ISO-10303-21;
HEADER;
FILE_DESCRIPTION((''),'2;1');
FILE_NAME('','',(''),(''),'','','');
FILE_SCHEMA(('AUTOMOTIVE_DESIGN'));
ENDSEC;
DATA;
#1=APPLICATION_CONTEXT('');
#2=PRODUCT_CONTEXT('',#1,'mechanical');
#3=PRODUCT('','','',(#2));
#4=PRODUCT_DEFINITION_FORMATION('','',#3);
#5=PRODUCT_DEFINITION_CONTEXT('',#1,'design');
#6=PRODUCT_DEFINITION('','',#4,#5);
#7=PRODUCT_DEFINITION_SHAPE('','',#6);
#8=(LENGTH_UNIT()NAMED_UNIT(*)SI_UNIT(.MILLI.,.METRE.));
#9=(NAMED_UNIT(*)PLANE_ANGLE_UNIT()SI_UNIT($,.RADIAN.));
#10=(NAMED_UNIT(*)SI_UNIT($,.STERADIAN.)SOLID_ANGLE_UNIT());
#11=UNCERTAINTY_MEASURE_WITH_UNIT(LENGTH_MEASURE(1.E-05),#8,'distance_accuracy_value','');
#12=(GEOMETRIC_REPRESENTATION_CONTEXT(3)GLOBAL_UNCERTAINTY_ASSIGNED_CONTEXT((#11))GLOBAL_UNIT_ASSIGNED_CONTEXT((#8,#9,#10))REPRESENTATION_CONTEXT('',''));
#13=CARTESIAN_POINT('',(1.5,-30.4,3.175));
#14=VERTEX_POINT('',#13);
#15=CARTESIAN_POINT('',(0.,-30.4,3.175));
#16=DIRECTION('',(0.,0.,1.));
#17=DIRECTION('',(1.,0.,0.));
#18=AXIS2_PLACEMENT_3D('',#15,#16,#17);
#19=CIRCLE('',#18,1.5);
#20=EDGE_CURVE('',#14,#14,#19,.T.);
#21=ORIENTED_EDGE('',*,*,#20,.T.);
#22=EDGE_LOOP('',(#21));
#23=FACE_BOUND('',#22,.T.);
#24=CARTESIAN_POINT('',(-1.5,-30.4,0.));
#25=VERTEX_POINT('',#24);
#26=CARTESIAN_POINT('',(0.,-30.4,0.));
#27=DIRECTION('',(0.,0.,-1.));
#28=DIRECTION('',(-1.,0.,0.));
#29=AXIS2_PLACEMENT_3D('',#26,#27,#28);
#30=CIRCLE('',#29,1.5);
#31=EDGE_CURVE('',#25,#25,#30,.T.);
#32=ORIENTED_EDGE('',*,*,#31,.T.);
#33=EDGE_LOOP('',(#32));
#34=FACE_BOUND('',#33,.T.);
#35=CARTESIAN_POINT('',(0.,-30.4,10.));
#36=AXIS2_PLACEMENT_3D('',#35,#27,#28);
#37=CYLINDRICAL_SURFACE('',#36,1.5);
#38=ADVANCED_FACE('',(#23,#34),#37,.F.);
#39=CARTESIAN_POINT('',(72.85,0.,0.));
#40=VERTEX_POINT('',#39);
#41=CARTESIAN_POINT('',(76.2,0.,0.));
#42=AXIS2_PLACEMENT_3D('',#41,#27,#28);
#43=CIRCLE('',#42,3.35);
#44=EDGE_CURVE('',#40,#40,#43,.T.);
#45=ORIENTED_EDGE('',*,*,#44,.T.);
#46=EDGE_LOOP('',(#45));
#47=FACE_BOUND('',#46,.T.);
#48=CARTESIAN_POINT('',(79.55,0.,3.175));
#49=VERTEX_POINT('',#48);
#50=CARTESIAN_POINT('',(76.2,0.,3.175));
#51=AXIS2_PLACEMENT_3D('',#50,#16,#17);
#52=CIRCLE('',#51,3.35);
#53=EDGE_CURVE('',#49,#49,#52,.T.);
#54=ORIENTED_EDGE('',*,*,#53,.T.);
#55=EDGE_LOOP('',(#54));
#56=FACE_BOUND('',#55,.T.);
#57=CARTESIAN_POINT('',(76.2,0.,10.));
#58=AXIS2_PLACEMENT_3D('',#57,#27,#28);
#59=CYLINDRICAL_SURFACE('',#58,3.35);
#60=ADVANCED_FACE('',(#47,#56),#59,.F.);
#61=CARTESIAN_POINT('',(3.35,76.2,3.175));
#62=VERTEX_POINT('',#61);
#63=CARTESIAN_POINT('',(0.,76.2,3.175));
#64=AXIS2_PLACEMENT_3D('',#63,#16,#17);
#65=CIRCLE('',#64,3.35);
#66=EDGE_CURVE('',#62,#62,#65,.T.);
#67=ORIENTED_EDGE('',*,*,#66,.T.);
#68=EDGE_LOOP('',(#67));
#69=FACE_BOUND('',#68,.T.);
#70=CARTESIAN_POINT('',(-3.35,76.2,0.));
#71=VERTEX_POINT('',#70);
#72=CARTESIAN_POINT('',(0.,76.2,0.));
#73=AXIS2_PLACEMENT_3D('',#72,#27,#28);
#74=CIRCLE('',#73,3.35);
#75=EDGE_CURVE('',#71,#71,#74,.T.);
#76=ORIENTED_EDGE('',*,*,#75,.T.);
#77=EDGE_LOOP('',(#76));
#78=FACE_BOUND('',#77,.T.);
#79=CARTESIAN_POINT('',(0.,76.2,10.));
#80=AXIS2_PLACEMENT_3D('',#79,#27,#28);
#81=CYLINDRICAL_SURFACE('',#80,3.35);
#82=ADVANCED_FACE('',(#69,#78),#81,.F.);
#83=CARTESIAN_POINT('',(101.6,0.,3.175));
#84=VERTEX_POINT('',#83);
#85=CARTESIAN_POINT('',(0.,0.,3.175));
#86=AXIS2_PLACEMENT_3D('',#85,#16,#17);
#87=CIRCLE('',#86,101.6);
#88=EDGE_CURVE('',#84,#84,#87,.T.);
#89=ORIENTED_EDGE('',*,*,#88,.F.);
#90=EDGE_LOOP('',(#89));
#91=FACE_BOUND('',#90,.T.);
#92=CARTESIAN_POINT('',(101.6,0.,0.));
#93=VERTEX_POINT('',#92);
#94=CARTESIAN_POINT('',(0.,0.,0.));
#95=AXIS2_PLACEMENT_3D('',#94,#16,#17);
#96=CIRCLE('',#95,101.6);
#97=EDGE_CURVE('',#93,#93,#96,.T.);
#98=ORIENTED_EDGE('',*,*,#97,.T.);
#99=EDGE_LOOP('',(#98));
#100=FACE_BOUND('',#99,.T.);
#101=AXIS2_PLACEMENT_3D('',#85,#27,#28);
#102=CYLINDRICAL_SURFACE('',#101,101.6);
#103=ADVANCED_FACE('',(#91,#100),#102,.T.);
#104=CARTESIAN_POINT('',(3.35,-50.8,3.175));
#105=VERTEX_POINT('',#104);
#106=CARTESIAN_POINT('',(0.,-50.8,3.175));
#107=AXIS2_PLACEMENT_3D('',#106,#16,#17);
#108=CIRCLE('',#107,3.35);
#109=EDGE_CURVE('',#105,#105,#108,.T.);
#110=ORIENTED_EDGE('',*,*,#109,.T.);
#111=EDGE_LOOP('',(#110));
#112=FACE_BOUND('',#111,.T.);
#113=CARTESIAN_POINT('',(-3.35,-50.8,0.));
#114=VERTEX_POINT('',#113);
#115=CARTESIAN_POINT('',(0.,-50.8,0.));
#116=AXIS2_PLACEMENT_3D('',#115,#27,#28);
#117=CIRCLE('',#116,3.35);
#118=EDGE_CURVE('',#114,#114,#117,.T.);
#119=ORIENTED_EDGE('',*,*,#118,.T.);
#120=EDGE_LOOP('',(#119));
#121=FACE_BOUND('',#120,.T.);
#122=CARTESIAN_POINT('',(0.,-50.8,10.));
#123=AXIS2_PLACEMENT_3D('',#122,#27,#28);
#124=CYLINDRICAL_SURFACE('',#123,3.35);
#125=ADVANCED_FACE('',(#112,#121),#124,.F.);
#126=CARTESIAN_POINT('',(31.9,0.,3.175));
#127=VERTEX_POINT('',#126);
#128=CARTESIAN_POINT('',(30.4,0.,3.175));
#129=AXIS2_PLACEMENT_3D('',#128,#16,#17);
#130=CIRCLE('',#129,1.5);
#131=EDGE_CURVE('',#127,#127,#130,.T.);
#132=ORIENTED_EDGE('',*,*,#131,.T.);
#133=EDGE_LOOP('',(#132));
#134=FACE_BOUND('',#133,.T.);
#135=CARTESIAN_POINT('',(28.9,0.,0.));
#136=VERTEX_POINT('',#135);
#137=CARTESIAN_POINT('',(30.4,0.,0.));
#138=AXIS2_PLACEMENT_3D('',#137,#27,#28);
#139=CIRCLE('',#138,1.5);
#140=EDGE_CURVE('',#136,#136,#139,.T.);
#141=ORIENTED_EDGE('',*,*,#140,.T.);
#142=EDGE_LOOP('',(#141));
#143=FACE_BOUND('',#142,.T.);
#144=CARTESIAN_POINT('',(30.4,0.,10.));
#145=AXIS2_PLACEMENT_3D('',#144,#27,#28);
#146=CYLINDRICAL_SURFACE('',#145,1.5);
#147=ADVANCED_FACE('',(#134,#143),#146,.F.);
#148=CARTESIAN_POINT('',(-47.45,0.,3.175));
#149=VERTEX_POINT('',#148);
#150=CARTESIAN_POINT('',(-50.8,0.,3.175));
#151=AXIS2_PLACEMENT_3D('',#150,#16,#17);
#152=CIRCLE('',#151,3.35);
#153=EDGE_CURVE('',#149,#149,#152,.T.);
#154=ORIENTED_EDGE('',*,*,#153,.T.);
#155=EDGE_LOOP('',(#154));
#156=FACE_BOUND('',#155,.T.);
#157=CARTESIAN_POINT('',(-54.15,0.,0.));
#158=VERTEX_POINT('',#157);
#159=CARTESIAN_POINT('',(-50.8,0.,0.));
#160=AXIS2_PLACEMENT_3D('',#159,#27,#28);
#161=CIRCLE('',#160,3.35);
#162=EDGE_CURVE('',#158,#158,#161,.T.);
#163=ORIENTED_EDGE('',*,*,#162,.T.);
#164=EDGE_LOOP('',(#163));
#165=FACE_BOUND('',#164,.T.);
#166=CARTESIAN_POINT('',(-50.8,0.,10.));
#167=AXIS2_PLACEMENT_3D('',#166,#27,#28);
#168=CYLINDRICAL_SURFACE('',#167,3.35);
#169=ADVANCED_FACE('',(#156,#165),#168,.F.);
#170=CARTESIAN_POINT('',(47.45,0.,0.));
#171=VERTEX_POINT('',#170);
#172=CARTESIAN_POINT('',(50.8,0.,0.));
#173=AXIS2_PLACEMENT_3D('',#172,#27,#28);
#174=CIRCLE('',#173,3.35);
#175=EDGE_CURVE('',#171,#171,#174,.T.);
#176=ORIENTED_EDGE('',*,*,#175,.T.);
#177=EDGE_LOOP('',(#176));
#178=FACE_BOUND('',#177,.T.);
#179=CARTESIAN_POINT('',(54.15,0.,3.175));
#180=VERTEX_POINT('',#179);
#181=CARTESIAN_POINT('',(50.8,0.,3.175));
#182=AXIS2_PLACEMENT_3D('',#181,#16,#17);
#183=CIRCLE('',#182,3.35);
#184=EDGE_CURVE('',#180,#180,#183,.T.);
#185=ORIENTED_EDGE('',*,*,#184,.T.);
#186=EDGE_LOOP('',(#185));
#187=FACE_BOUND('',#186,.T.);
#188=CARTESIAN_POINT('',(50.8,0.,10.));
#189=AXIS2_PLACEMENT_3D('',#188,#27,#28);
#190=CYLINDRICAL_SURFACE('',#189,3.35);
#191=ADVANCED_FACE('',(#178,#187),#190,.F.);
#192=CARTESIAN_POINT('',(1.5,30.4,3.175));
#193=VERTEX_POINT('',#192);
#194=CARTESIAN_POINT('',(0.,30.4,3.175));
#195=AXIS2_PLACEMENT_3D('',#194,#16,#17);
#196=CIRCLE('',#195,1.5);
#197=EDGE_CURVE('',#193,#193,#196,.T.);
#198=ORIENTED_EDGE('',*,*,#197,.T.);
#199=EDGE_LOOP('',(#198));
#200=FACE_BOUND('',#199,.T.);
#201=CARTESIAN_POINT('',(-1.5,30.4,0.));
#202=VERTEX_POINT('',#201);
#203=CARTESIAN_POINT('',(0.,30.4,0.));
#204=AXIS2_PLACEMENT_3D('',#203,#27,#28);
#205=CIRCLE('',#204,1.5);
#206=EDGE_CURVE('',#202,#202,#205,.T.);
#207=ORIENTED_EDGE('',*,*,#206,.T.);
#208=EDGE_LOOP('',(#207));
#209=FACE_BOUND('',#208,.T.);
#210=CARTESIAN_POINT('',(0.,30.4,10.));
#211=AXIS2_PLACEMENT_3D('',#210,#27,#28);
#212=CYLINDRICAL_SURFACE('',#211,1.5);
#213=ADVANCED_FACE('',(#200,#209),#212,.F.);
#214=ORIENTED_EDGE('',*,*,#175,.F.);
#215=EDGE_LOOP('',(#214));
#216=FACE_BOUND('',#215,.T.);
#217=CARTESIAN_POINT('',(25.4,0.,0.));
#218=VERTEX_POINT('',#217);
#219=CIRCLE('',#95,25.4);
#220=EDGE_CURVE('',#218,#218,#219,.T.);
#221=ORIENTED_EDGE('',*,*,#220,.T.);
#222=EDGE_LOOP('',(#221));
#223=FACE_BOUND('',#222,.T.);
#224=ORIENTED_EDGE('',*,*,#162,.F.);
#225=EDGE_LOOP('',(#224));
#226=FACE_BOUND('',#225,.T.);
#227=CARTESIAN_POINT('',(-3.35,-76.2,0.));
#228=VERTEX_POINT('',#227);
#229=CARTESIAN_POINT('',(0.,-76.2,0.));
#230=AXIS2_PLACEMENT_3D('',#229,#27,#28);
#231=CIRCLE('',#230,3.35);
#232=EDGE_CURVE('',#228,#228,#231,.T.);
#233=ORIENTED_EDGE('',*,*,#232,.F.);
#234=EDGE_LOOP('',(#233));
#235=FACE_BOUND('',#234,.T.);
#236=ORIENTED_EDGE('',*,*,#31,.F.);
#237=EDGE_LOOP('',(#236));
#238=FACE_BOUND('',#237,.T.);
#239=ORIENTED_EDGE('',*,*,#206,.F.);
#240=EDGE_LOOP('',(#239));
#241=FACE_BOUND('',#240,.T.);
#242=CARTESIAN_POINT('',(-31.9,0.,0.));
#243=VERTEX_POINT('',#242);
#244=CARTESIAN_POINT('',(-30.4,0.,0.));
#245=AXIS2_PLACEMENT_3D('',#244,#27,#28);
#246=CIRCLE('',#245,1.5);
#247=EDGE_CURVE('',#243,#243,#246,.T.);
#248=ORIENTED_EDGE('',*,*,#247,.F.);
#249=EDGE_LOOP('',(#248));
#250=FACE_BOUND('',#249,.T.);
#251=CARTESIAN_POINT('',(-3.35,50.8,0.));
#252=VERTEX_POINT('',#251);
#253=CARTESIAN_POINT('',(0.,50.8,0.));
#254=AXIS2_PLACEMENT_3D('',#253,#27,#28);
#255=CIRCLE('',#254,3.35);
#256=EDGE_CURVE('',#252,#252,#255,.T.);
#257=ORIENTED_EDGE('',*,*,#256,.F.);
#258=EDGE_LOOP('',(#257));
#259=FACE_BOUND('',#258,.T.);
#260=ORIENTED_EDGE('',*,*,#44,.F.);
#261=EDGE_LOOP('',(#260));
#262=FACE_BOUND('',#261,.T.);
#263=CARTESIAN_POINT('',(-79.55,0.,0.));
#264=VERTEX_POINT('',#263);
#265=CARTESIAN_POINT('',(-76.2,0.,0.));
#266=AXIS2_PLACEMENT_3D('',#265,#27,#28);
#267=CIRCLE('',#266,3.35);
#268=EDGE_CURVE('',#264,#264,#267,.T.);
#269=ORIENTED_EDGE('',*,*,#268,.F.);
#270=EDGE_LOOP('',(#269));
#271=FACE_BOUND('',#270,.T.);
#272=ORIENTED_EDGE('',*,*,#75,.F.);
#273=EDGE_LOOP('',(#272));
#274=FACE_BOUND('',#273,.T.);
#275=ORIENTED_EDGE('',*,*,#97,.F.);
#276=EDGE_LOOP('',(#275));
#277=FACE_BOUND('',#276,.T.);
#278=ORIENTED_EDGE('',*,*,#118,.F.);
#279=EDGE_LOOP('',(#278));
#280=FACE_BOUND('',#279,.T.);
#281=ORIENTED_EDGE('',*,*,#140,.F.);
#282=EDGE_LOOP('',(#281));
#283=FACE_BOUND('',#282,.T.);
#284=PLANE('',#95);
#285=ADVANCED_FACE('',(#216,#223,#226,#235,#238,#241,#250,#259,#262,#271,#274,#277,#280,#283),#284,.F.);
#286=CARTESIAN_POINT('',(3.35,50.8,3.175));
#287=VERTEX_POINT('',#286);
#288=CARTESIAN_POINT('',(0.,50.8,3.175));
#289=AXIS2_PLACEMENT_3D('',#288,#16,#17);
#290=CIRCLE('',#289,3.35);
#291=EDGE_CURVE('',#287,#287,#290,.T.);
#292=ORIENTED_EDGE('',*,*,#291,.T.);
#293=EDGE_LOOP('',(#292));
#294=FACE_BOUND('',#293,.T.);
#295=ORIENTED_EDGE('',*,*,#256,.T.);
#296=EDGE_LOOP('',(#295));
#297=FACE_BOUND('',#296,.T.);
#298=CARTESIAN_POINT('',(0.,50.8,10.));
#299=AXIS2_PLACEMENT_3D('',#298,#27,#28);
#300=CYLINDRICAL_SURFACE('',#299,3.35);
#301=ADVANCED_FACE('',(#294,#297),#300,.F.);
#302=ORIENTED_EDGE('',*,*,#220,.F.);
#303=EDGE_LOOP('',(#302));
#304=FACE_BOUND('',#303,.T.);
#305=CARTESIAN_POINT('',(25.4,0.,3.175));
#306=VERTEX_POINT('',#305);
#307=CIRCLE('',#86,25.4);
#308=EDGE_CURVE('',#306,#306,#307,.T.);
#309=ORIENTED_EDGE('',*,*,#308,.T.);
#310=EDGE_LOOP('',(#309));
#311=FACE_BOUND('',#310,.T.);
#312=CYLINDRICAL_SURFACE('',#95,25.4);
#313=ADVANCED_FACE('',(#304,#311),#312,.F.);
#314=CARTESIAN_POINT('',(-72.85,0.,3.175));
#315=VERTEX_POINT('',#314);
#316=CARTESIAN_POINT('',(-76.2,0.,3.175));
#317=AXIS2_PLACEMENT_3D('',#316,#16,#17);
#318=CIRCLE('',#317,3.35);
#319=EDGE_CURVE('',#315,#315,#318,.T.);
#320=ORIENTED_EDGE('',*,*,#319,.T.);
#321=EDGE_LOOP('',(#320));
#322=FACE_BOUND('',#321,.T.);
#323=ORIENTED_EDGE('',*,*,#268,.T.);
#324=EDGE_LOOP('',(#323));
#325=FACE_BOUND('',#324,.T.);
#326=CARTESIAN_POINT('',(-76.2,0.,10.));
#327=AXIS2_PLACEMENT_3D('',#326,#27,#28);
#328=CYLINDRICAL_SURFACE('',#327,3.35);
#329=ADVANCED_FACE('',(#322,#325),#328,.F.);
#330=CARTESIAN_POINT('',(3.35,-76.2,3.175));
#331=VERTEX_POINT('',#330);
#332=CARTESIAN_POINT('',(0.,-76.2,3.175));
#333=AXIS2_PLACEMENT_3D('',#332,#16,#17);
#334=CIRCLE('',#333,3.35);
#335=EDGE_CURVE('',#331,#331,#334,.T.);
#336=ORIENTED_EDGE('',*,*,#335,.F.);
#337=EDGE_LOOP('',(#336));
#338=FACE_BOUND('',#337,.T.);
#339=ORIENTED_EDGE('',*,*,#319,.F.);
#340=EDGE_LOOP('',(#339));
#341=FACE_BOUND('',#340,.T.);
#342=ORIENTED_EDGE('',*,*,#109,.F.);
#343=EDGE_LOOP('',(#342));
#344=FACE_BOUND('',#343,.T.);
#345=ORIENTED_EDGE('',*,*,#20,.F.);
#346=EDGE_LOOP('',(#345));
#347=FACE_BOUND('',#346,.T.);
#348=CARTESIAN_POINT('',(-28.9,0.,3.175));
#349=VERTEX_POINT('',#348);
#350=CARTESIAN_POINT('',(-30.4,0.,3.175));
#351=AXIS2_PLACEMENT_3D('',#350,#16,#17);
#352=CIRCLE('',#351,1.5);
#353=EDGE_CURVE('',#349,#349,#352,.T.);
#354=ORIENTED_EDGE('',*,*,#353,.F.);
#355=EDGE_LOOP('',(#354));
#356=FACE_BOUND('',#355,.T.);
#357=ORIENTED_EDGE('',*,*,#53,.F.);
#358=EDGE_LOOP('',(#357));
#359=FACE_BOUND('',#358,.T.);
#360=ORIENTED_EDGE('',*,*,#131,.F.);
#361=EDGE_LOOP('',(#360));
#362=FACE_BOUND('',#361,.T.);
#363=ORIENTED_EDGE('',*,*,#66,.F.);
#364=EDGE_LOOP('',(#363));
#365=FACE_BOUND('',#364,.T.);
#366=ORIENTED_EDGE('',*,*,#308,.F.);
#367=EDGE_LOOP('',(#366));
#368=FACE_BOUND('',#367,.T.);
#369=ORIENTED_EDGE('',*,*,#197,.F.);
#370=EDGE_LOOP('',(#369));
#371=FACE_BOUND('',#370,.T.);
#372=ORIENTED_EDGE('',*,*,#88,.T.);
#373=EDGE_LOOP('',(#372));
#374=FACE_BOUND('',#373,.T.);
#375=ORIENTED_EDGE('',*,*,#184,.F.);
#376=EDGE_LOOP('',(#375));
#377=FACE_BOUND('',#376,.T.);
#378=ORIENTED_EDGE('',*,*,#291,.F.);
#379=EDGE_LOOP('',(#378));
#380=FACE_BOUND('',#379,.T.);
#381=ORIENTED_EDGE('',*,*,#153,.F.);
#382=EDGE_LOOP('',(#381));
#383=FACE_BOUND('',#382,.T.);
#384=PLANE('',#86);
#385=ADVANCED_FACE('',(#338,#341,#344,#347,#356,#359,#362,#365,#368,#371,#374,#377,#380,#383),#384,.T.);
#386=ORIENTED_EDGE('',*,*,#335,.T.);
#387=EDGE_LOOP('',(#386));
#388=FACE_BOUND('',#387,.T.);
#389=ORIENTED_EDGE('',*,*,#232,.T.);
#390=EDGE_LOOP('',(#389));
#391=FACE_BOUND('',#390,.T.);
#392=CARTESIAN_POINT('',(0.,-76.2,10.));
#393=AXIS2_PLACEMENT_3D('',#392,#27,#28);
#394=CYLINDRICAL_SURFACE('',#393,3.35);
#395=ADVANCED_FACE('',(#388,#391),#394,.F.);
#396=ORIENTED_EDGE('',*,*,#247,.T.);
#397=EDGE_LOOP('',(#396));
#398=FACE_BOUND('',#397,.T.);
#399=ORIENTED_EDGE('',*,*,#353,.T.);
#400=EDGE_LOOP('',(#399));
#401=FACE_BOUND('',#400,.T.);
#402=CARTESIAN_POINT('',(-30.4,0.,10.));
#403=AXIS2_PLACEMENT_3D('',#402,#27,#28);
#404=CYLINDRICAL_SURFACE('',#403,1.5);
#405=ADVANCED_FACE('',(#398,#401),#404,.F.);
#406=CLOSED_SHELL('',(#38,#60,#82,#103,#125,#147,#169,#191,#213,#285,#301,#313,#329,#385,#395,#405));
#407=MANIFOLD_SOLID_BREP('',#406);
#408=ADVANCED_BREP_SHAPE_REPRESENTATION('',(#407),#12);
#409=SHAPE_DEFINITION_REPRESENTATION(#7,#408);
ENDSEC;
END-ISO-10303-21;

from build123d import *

# Parameters (mm, degrees)
SKETCH1_R           = 101.6
BOSS_EXTRUDE1_DEPTH = 3.175
SKETCH2_R           = 25.4
CUT_EXTRUDE1_DEPTH  = 3.175
SKETCH4_R           = 1.5
CUT_EXTRUDE3_DEPTH  = 10
SKETCH5_R           = 3.35
CUT_EXTRUDE4_DEPTH  = 10
SKETCH6_R           = 3.35
CUT_EXTRUDE5_DEPTH  = 10


with BuildPart() as part:
    # Sketch1 → Boss-Extrude1 (new body)
    with BuildSketch(Plane.XY):
        Circle(SKETCH1_R)
    extrude(amount=BOSS_EXTRUDE1_DEPTH)

    # Sketch2 → Cut-Extrude1 (cut)
    with BuildSketch(Plane.XY.offset(3.175)):
        Circle(SKETCH2_R)
    extrude(amount=-CUT_EXTRUDE1_DEPTH, mode=Mode.SUBTRACT)

    # Sketch4 → Cut-Extrude3 (cut)
    with BuildSketch(Plane(origin=(0, 0, 0), x_dir=(-1, 0, 0), z_dir=(0, 0, -1))):
        with Locations((0, 30.399999906)):
            Circle(SKETCH4_R)
        with Locations((30.399999906, 0)):
            Circle(SKETCH4_R)
        with Locations((0, -30.399999906)):
            Circle(SKETCH4_R)
        with Locations((-30.399999906, 0)):
            Circle(SKETCH4_R)
    extrude(amount=-CUT_EXTRUDE3_DEPTH, mode=Mode.SUBTRACT)

    # Sketch5 → Cut-Extrude4 (cut)
    with BuildSketch(Plane(origin=(0, 0, 0), x_dir=(-1, 0, 0), z_dir=(0, 0, -1))):
        with Locations((0, 50.8)):
            Circle(SKETCH5_R)
        with Locations((50.8, 0)):
            Circle(SKETCH5_R)
        with Locations((0, -50.8)):
            Circle(SKETCH5_R)
        with Locations((-50.8, 0)):
            Circle(SKETCH5_R)
    extrude(amount=-CUT_EXTRUDE4_DEPTH, mode=Mode.SUBTRACT)

    # Sketch6 → Cut-Extrude5 (cut)
    with BuildSketch(Plane(origin=(0, 0, 0), x_dir=(-1, 0, 0), z_dir=(0, 0, -1))):
        with Locations((-76.2, 0)):
            Circle(SKETCH6_R)
        with Locations((0, 76.2)):
            Circle(SKETCH6_R)
        with Locations((0, -76.2)):
            Circle(SKETCH6_R)
        with Locations((76.2, 0)):
            Circle(SKETCH6_R)
    extrude(amount=-CUT_EXTRUDE5_DEPTH, mode=Mode.SUBTRACT)


solid = part.part
